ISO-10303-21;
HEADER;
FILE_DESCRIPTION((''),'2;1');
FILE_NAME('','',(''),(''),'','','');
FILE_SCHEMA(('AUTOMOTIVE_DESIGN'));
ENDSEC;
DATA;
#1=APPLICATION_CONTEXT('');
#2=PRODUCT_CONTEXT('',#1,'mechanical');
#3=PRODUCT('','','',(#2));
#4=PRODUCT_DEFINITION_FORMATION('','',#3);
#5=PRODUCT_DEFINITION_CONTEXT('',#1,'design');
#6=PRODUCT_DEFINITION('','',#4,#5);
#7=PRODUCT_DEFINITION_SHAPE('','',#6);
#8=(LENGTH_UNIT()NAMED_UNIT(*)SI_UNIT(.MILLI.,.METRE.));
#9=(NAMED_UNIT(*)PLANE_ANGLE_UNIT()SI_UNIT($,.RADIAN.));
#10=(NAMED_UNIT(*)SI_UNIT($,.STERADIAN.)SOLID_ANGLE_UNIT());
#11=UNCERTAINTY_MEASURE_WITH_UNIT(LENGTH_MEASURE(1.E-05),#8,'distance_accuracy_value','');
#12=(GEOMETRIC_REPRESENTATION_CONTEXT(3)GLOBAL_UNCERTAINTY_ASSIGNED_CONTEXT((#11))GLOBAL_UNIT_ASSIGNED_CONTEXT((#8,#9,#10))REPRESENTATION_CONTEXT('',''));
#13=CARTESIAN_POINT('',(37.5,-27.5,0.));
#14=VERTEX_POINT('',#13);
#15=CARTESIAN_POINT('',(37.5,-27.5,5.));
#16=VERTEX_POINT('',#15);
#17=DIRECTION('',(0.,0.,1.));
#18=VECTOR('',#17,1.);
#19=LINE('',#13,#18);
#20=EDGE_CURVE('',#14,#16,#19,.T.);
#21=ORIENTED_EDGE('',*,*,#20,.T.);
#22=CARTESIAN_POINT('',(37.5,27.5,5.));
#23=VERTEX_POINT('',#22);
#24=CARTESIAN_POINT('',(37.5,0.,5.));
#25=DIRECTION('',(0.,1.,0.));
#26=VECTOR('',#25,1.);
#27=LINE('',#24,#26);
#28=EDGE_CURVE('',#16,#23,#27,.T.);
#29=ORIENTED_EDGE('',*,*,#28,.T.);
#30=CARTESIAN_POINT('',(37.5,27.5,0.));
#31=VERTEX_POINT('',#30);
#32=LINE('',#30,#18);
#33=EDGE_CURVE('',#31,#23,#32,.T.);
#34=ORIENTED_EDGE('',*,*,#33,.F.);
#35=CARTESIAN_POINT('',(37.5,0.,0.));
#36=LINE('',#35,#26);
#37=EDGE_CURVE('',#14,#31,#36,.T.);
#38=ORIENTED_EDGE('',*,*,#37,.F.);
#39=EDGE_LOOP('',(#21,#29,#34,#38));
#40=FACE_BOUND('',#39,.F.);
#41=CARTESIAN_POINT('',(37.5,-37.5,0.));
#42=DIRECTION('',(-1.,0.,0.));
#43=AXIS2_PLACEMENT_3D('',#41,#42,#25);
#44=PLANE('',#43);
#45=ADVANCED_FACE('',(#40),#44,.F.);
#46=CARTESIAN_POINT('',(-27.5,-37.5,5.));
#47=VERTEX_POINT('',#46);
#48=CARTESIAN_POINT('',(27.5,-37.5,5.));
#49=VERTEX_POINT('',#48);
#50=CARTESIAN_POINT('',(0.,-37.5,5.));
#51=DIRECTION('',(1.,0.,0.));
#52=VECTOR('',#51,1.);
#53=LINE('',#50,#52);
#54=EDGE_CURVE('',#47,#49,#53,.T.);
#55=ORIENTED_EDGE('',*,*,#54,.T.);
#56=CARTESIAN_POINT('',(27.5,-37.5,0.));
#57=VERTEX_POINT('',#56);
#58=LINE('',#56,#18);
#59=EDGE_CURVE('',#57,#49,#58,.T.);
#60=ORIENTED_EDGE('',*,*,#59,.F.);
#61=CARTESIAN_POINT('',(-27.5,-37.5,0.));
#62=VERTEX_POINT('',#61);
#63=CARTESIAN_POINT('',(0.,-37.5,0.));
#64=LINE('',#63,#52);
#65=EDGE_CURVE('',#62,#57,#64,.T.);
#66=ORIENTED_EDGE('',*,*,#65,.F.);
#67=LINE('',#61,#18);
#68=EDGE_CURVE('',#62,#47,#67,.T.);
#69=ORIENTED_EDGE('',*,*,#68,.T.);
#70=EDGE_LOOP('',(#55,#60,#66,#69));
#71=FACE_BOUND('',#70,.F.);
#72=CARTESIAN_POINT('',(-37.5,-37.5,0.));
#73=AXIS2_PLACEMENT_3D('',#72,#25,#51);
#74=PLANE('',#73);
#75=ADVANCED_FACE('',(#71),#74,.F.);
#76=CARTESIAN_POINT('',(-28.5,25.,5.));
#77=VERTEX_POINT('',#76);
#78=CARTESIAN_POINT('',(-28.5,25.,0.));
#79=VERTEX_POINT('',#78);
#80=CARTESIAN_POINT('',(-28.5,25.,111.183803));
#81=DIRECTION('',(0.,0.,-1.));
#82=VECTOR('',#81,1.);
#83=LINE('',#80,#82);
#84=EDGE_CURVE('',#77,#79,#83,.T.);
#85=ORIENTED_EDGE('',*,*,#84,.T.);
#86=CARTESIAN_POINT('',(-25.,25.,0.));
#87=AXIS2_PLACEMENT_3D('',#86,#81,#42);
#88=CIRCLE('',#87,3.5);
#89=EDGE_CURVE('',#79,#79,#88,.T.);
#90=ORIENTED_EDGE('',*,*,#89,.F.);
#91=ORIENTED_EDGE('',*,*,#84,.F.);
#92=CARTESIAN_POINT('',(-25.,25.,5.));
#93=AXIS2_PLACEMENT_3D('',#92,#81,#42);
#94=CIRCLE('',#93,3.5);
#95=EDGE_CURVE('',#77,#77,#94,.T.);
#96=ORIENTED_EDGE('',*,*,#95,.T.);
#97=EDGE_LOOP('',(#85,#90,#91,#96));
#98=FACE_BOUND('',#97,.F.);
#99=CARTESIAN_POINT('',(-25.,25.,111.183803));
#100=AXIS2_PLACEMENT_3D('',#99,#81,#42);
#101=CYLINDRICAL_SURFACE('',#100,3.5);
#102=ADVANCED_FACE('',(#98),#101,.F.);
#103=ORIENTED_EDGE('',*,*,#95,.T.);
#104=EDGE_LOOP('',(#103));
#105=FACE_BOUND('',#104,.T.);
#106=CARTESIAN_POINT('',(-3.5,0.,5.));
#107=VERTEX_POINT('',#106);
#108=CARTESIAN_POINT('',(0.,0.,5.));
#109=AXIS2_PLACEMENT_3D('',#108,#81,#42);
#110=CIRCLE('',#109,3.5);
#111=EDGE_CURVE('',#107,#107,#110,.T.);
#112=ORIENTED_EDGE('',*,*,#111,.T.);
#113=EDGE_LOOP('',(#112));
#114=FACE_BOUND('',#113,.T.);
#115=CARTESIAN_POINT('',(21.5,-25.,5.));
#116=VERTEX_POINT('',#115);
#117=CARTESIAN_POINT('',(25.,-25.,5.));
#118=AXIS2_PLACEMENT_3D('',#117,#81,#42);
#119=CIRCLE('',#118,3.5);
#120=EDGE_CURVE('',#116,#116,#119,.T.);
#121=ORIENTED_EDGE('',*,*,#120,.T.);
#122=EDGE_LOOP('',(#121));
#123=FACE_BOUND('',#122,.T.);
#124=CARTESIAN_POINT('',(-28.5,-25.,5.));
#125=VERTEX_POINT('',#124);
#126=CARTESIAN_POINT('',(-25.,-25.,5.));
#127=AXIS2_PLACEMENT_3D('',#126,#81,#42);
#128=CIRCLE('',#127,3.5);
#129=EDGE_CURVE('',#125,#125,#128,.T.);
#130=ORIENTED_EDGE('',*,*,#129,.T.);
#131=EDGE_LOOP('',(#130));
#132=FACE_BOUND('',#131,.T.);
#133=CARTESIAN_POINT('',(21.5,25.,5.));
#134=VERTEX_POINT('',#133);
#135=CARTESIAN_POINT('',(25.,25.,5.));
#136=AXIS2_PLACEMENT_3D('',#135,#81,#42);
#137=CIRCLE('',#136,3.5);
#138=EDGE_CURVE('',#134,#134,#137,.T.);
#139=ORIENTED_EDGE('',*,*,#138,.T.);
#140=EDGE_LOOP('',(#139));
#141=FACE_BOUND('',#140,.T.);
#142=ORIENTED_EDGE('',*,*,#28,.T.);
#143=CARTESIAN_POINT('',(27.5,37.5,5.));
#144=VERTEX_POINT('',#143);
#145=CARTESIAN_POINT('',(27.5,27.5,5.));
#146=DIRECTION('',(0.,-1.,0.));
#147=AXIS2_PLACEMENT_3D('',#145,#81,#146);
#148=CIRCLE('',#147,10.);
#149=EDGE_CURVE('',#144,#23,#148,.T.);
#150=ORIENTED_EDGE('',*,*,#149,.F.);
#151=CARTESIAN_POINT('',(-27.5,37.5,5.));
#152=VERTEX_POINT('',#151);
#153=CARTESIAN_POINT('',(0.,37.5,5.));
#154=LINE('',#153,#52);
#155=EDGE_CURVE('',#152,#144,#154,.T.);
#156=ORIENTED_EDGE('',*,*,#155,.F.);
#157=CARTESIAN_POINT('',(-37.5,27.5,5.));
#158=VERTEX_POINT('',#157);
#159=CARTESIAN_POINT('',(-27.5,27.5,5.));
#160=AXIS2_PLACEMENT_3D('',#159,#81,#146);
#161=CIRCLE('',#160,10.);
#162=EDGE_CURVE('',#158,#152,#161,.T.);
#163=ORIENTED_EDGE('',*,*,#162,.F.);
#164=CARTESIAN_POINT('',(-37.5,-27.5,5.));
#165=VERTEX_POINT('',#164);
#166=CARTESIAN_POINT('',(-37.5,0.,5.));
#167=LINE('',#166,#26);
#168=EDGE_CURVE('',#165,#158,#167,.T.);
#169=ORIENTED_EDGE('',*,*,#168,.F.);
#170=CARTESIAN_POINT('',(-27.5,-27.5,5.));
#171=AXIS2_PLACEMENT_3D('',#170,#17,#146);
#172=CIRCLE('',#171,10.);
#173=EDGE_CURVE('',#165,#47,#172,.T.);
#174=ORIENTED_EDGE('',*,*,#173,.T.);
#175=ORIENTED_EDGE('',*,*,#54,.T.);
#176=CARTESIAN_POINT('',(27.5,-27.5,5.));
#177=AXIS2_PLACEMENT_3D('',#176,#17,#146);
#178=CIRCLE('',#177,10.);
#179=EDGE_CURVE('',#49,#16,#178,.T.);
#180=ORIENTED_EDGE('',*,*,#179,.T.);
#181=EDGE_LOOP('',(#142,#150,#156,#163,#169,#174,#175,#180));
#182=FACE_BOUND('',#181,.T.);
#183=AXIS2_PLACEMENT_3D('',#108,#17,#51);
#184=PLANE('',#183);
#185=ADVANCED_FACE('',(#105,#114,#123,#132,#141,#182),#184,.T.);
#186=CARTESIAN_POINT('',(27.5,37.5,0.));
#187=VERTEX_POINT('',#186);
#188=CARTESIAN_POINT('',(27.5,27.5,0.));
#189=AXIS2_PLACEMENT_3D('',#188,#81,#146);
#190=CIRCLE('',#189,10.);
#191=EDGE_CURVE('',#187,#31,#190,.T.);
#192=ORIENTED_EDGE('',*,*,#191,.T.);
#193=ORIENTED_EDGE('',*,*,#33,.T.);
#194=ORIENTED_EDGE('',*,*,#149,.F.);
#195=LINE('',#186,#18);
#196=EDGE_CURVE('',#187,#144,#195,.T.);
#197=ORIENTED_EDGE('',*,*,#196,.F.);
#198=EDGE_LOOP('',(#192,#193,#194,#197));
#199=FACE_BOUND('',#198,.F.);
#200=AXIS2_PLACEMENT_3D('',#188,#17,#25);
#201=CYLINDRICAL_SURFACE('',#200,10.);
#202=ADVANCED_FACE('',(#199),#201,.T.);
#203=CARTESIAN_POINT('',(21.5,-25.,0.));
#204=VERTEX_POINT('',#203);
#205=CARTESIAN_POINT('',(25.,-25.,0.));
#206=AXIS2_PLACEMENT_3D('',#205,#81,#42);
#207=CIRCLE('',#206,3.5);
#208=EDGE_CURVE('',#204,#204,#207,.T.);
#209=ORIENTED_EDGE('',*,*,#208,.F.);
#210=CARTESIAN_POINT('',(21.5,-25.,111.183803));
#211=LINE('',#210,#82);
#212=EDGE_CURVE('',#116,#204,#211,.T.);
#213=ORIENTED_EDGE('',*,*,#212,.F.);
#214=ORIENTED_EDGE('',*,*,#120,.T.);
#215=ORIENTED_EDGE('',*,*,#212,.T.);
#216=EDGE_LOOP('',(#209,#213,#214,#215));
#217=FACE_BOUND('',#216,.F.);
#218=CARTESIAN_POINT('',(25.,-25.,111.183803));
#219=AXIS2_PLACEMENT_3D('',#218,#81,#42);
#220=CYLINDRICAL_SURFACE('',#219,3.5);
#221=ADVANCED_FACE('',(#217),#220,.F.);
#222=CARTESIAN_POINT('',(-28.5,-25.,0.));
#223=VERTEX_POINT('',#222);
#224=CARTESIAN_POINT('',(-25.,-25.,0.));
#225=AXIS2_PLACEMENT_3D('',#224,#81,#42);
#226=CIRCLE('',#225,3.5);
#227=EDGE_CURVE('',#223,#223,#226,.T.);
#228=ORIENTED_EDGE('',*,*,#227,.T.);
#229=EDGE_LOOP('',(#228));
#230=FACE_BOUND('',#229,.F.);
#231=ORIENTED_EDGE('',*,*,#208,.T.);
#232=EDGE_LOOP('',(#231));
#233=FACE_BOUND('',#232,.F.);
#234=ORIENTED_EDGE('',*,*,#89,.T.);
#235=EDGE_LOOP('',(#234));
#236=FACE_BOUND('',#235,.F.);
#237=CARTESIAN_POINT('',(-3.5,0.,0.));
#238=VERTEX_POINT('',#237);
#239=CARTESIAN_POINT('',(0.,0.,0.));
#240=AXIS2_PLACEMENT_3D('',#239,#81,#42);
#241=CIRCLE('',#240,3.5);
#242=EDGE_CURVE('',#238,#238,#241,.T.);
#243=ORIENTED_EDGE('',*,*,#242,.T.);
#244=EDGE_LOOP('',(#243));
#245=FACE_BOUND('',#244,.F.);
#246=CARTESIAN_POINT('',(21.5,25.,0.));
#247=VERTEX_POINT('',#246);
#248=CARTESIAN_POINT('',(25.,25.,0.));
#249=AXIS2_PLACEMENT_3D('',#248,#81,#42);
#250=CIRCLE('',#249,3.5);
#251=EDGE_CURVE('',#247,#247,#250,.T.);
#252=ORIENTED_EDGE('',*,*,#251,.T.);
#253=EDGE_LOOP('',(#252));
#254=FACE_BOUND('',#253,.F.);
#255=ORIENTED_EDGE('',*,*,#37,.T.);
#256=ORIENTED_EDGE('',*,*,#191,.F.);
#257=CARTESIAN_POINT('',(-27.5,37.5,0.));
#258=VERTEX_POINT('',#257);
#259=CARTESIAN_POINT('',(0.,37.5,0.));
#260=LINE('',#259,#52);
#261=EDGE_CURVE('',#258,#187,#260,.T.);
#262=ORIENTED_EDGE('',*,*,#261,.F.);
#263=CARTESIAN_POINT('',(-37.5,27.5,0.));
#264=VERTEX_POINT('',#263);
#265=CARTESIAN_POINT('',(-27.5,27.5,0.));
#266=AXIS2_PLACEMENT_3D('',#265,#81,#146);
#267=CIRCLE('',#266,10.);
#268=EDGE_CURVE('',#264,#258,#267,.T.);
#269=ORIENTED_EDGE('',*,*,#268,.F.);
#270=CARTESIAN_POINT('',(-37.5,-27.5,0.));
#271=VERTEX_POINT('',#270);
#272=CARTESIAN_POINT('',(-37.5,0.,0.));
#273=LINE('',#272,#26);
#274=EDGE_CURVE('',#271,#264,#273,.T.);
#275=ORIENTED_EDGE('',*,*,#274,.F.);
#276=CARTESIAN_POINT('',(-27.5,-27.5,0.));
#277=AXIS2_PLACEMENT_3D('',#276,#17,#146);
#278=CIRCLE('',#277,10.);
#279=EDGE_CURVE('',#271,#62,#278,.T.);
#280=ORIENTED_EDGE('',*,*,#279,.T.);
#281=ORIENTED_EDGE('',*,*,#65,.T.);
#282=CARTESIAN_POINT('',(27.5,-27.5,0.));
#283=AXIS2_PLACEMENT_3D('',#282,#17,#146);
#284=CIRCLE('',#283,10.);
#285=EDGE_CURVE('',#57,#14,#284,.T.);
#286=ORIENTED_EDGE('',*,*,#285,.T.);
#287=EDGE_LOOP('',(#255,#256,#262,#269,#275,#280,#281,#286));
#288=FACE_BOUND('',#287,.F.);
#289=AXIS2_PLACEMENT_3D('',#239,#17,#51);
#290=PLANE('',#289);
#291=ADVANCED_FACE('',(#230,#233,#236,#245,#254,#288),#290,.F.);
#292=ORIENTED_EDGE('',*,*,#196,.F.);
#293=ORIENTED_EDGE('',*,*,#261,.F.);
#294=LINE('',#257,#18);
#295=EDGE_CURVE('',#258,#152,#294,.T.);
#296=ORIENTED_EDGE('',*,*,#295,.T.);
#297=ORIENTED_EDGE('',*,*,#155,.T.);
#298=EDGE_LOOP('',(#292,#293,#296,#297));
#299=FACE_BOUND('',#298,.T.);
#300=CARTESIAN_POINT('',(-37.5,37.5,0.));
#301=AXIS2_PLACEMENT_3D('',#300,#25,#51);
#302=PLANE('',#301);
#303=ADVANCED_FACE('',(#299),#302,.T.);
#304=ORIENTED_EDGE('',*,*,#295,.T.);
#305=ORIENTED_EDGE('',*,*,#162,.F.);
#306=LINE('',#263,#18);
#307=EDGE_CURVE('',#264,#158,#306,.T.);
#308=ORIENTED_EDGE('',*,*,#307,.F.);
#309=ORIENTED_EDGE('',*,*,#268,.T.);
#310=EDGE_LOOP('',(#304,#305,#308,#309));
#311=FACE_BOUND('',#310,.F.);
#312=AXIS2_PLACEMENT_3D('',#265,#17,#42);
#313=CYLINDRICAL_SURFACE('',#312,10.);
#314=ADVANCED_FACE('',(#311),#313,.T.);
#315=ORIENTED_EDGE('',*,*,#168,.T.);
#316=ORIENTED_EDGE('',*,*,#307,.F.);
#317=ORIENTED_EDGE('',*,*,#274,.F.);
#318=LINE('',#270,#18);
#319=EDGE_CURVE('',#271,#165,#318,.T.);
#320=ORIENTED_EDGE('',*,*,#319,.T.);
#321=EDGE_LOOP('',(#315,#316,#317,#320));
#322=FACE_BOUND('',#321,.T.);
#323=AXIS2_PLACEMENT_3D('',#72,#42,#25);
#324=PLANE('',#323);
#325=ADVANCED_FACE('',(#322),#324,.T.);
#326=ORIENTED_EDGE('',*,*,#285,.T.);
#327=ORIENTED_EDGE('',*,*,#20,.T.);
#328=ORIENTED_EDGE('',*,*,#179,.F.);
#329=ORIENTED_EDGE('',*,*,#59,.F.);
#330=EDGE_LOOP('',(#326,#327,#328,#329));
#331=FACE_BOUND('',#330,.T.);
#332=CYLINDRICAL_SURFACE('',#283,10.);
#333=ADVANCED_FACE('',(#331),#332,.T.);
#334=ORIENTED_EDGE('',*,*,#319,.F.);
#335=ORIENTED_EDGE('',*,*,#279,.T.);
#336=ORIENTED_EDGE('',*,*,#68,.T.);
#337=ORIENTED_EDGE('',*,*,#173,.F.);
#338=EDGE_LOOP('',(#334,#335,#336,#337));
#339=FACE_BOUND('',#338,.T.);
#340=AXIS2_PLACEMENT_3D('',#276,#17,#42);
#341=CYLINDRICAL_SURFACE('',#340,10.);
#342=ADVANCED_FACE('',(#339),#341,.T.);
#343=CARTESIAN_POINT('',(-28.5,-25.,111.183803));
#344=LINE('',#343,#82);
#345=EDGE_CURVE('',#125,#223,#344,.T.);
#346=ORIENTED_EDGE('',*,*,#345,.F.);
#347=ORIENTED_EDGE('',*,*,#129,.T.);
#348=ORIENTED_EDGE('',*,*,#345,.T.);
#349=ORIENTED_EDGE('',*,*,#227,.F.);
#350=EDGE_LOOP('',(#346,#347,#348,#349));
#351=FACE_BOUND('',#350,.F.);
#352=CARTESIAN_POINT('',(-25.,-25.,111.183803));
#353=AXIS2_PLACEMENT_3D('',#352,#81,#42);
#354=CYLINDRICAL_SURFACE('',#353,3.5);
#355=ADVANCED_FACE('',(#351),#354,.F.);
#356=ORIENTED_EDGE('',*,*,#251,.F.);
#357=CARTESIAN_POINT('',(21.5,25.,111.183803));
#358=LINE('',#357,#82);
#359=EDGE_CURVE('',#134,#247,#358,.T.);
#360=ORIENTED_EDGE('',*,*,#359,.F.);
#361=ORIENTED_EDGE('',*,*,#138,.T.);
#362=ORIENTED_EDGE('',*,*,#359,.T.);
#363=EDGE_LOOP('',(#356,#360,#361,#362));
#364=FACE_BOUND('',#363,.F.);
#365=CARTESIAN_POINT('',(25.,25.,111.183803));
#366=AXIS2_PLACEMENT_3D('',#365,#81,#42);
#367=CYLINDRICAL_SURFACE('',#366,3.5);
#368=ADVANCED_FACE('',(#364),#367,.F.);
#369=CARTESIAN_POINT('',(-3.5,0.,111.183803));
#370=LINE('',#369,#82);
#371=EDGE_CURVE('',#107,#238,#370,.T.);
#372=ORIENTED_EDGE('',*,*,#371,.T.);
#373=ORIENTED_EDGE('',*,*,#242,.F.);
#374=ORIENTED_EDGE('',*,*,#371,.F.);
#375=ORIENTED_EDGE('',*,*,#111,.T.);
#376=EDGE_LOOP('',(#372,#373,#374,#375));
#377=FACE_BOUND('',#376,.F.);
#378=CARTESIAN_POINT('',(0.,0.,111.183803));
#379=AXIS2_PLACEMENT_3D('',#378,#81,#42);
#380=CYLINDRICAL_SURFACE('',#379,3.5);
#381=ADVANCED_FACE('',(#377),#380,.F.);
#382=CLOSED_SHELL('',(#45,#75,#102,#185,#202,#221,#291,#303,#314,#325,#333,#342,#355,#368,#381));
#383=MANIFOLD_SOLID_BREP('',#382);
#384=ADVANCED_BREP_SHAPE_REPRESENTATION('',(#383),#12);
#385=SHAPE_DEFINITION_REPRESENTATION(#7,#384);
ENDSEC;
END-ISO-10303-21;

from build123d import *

# Parameters (mm, degrees)
SKETCH1_W                = 75
SKETCH1_H                = 75
BOSS_EXTRUDE1_DEPTH      = 5
F_7_0_7_DIAMETER_HOLE2_D = 7
FILLET1_R                = 10
F_7_0_7_DIAMETER_HOLE1_D = 7


with BuildPart() as part:
    # Sketch1 → Boss-Extrude1 (new body)
    with BuildSketch(Plane.XY):
        Rectangle(SKETCH1_W, SKETCH1_H)
    extrude(amount=BOSS_EXTRUDE1_DEPTH)

    # Ø7.0 (7) Diameter Hole2 (through all)
    with Locations(Plane.XY.offset(5)):
        with Locations((-25, 25), (-25, -25), (25, -25), (25, 25)):
            Hole(F_7_0_7_DIAMETER_HOLE2_D / 2)

    # Fillet1
    fillet1_edges = [part.edges().sort_by_distance(p)[0] for p in [
        (-37.5, 37.5, 2.5),
        (37.5, 37.5, 2.5),
        (37.5, -37.5, 2.5),
        (-37.5, -37.5, 2.5),
    ]]
    fillet(fillet1_edges, radius=FILLET1_R)

    # Ø7.0 (7) Diameter Hole1 (through all)
    with Locations(Plane.XY.offset(5)):
        with Locations((0, 0)):
            Hole(F_7_0_7_DIAMETER_HOLE1_D / 2)


solid = part.part
